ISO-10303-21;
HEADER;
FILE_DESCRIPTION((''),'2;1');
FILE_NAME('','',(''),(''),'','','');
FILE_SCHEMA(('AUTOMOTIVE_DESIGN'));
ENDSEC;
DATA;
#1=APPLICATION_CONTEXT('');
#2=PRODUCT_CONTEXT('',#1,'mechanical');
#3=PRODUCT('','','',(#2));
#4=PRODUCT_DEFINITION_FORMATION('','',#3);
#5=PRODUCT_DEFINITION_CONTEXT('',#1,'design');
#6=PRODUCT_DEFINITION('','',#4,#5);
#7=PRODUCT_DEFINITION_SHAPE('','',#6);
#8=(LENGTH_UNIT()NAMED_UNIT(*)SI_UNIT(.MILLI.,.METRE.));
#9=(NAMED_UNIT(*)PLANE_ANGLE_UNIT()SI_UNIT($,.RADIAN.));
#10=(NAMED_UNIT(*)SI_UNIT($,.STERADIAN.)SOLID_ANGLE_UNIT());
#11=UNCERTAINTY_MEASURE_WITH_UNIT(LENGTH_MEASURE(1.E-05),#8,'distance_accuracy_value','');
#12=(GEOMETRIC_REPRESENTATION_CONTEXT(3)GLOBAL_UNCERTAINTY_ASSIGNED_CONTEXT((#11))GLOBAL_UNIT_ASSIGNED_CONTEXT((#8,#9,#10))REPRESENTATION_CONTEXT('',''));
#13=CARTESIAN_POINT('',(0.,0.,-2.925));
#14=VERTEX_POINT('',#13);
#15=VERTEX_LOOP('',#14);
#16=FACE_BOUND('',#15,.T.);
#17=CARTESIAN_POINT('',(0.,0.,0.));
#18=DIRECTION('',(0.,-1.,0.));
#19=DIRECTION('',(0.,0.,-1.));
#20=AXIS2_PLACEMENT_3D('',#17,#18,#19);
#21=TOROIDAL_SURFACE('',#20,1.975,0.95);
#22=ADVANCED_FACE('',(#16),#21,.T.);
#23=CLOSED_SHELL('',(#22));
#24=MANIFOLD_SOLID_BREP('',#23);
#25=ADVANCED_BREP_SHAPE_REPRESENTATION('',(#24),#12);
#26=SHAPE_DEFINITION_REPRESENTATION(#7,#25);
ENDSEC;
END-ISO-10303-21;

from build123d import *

# Parameters (mm, degrees)
SKETCH1_R = 0.95


with BuildPart() as part:
    # Sketch1 → Revolve1 (revolve)
    with BuildSketch(Plane.XY):
        with Locations((1.975, 0)):
            Circle(SKETCH1_R)
    revolve(axis=Axis((0, 0, 0), (0, 1, 0)))


solid = part.part
